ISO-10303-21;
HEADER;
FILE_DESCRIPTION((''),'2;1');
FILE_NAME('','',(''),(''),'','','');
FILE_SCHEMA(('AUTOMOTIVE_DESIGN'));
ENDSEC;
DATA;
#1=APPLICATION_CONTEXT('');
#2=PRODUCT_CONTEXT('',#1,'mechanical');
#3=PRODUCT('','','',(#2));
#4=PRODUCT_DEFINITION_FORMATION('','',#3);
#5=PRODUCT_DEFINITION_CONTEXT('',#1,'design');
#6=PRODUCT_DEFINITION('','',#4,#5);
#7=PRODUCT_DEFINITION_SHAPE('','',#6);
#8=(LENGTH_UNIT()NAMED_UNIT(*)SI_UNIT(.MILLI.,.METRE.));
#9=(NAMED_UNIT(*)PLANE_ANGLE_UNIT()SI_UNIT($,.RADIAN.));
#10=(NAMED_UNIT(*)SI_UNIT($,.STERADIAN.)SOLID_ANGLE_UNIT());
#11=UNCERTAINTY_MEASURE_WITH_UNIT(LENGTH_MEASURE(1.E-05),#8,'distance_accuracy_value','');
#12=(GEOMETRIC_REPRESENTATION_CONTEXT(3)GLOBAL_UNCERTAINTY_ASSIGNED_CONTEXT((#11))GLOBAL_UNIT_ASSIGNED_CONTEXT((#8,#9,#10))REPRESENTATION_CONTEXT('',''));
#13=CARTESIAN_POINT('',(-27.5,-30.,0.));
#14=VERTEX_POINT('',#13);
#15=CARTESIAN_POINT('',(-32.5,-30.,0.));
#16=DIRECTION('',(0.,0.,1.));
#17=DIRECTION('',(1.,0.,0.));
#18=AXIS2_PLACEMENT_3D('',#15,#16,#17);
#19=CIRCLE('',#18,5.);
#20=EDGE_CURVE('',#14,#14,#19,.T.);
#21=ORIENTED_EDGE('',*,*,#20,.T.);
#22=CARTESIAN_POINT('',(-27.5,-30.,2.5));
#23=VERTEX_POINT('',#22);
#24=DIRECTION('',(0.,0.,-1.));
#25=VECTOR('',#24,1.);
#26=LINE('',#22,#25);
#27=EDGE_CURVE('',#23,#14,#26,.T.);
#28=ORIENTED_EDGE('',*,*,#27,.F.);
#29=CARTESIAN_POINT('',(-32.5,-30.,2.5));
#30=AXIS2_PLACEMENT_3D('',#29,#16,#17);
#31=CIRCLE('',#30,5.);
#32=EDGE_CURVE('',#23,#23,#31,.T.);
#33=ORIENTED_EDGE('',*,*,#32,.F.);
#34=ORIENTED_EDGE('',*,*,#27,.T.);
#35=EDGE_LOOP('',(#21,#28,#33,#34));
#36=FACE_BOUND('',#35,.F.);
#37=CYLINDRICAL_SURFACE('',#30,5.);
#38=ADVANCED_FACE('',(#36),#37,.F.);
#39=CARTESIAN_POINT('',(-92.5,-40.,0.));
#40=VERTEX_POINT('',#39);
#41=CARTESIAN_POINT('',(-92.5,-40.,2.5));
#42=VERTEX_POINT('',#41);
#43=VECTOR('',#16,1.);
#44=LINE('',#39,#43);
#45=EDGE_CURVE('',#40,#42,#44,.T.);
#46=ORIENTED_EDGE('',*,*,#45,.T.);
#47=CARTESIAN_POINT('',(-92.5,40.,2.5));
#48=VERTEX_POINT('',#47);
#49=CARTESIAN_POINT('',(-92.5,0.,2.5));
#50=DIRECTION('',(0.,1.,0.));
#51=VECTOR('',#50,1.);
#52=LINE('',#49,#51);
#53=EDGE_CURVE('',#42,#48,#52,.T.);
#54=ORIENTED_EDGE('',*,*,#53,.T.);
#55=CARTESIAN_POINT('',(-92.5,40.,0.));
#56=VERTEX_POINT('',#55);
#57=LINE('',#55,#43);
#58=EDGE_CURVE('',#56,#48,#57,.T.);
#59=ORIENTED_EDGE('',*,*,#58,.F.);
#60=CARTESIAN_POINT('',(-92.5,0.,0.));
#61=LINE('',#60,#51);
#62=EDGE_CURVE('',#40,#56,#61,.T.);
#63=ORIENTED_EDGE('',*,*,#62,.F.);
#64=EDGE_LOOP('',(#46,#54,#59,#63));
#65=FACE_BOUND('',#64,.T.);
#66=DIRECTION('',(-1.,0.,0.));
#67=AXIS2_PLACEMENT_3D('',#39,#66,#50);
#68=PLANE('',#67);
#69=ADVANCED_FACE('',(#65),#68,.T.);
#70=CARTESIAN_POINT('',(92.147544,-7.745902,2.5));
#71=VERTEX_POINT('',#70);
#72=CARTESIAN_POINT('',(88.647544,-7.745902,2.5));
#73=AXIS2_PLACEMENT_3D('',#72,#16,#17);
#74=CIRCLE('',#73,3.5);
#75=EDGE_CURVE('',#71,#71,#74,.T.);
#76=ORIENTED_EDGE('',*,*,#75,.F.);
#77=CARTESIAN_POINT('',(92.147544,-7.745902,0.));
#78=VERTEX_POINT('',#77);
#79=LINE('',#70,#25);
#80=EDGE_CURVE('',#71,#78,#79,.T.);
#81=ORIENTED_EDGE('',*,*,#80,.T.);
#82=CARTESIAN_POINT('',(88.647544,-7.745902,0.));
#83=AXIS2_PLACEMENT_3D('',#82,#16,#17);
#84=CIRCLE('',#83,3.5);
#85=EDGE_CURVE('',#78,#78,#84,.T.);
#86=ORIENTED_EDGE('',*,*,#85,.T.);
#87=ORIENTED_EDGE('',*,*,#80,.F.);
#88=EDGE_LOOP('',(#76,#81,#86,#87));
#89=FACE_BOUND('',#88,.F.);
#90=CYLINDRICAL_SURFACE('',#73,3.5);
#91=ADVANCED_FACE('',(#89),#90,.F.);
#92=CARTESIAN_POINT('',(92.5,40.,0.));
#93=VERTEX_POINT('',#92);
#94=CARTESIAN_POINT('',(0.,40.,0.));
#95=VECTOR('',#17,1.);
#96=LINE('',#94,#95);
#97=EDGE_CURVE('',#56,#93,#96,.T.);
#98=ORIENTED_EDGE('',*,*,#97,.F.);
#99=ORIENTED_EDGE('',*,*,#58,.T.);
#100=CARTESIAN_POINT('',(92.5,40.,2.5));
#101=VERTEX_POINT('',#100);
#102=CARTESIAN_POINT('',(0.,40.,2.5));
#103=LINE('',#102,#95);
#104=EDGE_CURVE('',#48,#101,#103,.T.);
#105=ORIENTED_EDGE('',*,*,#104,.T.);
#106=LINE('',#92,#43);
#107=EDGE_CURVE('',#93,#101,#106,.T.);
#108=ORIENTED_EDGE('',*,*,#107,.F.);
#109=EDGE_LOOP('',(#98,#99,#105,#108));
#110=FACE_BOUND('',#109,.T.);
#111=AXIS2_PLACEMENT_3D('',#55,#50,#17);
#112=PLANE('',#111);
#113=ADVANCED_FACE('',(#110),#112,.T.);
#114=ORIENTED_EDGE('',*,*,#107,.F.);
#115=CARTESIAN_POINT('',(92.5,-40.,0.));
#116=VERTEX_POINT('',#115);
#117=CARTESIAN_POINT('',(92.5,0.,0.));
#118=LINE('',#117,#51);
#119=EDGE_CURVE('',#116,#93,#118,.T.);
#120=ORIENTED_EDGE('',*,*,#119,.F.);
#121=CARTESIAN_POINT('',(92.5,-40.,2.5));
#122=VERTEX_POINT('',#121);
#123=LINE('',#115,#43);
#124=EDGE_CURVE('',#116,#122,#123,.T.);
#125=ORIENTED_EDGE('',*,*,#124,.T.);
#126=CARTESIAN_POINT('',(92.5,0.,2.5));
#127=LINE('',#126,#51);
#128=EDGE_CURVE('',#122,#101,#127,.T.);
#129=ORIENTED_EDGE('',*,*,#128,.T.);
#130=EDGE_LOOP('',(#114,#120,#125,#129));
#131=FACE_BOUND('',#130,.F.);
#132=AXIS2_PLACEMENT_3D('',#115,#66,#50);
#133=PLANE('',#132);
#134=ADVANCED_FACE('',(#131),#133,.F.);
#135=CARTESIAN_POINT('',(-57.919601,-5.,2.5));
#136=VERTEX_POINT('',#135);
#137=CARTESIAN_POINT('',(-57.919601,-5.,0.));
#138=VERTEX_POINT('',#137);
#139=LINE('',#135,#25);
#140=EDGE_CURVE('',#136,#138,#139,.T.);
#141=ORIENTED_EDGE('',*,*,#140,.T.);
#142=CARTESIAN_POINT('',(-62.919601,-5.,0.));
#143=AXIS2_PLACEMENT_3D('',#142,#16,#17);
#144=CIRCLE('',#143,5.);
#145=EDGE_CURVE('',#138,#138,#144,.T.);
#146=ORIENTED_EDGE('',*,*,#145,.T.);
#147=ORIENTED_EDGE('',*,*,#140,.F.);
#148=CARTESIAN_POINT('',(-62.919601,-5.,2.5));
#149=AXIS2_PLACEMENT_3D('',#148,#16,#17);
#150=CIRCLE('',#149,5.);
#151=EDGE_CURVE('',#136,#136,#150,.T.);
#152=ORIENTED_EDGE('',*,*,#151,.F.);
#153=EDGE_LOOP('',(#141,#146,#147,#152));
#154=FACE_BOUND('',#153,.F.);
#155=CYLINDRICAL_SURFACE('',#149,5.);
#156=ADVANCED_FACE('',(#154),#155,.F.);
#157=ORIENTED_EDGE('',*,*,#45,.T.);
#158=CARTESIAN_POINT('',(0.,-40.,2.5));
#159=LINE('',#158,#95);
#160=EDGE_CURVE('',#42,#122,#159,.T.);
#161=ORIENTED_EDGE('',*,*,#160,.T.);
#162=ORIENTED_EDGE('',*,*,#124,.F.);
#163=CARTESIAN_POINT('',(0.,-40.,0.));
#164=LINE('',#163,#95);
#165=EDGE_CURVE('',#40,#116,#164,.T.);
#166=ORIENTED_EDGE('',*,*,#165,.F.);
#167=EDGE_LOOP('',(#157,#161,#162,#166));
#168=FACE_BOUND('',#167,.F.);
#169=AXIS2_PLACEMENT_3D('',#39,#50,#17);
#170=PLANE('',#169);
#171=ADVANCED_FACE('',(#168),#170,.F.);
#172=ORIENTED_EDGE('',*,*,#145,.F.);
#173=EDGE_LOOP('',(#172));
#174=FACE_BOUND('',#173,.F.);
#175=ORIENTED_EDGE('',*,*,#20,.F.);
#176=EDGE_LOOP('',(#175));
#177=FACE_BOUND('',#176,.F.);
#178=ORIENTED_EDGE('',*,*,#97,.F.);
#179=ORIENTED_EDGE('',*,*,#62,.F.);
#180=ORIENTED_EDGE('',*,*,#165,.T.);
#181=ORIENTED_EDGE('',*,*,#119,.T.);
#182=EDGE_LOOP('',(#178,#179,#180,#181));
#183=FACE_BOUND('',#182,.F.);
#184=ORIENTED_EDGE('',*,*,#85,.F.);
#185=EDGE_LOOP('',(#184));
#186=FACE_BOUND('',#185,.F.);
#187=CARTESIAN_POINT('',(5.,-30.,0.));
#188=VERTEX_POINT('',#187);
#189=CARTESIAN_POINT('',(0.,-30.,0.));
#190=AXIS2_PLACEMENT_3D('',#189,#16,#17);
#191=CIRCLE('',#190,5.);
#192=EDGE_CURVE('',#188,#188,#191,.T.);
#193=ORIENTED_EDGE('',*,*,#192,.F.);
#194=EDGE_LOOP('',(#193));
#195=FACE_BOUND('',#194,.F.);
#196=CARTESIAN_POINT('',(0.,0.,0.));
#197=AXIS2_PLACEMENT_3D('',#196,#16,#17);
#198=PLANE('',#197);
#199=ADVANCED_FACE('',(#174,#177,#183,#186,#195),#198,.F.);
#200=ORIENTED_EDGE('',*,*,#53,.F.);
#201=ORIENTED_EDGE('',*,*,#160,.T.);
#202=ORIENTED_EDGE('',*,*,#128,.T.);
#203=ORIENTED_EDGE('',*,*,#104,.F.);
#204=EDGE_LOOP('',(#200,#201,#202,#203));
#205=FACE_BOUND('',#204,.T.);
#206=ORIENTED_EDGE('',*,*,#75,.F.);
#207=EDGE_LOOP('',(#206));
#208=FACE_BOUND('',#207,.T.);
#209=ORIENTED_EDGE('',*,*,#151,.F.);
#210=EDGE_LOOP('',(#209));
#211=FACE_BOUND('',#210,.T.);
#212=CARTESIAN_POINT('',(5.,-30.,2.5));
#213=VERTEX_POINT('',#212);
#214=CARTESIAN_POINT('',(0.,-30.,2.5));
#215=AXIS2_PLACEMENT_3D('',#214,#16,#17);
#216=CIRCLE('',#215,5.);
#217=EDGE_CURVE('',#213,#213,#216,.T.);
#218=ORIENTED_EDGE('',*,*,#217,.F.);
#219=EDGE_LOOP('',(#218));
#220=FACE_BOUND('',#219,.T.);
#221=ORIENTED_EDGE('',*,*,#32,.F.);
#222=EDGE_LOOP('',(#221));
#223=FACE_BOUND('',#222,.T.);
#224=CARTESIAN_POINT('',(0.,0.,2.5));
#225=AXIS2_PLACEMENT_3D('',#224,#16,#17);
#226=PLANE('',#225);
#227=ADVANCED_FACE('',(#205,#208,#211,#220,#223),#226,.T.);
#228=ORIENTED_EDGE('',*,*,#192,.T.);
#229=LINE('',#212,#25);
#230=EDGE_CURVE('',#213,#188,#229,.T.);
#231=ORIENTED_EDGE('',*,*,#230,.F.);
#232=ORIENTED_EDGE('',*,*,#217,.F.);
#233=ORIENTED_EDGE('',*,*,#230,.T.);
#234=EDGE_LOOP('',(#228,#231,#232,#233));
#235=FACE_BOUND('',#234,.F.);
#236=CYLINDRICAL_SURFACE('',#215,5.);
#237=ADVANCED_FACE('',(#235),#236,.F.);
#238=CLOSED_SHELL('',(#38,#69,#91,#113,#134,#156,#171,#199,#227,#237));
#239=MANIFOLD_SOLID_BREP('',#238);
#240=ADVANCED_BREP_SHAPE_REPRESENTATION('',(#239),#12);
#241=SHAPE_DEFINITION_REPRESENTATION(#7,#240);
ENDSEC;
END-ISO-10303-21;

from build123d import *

# Parameters (mm, degrees)
F0_W     = 185
F0_H     = 80
F1_DEPTH = 2.5
F2_R     = 5
F3_DEPTH = 25
F4_R     = 3.5
F5_DEPTH = 25


with BuildPart() as f1:
    # F0 (on Top) → F1 (new body)
    with BuildSketch(Plane.XY):
        Rectangle(F0_W, F0_H)
    extrude(amount=F1_DEPTH)

    # F2 (on face) → F3 (cut)
    with BuildSketch(Plane.XY.offset(2.5)):
        with Locations((-32.5, -30)):
            Circle(F2_R)
        with Locations((0, -30)):
            Circle(F2_R)
        with Locations((-62.919601, -5)):
            Circle(F2_R)
    extrude(amount=-F3_DEPTH, mode=Mode.SUBTRACT)

    # F4 (on face) → F5 (cut)
    with BuildSketch(Plane.XY.offset(2.5)):
        with Locations((88.647544, -7.745902)):
            Circle(F4_R)
    extrude(amount=-F5_DEPTH, mode=Mode.SUBTRACT)


solid = f1.part
